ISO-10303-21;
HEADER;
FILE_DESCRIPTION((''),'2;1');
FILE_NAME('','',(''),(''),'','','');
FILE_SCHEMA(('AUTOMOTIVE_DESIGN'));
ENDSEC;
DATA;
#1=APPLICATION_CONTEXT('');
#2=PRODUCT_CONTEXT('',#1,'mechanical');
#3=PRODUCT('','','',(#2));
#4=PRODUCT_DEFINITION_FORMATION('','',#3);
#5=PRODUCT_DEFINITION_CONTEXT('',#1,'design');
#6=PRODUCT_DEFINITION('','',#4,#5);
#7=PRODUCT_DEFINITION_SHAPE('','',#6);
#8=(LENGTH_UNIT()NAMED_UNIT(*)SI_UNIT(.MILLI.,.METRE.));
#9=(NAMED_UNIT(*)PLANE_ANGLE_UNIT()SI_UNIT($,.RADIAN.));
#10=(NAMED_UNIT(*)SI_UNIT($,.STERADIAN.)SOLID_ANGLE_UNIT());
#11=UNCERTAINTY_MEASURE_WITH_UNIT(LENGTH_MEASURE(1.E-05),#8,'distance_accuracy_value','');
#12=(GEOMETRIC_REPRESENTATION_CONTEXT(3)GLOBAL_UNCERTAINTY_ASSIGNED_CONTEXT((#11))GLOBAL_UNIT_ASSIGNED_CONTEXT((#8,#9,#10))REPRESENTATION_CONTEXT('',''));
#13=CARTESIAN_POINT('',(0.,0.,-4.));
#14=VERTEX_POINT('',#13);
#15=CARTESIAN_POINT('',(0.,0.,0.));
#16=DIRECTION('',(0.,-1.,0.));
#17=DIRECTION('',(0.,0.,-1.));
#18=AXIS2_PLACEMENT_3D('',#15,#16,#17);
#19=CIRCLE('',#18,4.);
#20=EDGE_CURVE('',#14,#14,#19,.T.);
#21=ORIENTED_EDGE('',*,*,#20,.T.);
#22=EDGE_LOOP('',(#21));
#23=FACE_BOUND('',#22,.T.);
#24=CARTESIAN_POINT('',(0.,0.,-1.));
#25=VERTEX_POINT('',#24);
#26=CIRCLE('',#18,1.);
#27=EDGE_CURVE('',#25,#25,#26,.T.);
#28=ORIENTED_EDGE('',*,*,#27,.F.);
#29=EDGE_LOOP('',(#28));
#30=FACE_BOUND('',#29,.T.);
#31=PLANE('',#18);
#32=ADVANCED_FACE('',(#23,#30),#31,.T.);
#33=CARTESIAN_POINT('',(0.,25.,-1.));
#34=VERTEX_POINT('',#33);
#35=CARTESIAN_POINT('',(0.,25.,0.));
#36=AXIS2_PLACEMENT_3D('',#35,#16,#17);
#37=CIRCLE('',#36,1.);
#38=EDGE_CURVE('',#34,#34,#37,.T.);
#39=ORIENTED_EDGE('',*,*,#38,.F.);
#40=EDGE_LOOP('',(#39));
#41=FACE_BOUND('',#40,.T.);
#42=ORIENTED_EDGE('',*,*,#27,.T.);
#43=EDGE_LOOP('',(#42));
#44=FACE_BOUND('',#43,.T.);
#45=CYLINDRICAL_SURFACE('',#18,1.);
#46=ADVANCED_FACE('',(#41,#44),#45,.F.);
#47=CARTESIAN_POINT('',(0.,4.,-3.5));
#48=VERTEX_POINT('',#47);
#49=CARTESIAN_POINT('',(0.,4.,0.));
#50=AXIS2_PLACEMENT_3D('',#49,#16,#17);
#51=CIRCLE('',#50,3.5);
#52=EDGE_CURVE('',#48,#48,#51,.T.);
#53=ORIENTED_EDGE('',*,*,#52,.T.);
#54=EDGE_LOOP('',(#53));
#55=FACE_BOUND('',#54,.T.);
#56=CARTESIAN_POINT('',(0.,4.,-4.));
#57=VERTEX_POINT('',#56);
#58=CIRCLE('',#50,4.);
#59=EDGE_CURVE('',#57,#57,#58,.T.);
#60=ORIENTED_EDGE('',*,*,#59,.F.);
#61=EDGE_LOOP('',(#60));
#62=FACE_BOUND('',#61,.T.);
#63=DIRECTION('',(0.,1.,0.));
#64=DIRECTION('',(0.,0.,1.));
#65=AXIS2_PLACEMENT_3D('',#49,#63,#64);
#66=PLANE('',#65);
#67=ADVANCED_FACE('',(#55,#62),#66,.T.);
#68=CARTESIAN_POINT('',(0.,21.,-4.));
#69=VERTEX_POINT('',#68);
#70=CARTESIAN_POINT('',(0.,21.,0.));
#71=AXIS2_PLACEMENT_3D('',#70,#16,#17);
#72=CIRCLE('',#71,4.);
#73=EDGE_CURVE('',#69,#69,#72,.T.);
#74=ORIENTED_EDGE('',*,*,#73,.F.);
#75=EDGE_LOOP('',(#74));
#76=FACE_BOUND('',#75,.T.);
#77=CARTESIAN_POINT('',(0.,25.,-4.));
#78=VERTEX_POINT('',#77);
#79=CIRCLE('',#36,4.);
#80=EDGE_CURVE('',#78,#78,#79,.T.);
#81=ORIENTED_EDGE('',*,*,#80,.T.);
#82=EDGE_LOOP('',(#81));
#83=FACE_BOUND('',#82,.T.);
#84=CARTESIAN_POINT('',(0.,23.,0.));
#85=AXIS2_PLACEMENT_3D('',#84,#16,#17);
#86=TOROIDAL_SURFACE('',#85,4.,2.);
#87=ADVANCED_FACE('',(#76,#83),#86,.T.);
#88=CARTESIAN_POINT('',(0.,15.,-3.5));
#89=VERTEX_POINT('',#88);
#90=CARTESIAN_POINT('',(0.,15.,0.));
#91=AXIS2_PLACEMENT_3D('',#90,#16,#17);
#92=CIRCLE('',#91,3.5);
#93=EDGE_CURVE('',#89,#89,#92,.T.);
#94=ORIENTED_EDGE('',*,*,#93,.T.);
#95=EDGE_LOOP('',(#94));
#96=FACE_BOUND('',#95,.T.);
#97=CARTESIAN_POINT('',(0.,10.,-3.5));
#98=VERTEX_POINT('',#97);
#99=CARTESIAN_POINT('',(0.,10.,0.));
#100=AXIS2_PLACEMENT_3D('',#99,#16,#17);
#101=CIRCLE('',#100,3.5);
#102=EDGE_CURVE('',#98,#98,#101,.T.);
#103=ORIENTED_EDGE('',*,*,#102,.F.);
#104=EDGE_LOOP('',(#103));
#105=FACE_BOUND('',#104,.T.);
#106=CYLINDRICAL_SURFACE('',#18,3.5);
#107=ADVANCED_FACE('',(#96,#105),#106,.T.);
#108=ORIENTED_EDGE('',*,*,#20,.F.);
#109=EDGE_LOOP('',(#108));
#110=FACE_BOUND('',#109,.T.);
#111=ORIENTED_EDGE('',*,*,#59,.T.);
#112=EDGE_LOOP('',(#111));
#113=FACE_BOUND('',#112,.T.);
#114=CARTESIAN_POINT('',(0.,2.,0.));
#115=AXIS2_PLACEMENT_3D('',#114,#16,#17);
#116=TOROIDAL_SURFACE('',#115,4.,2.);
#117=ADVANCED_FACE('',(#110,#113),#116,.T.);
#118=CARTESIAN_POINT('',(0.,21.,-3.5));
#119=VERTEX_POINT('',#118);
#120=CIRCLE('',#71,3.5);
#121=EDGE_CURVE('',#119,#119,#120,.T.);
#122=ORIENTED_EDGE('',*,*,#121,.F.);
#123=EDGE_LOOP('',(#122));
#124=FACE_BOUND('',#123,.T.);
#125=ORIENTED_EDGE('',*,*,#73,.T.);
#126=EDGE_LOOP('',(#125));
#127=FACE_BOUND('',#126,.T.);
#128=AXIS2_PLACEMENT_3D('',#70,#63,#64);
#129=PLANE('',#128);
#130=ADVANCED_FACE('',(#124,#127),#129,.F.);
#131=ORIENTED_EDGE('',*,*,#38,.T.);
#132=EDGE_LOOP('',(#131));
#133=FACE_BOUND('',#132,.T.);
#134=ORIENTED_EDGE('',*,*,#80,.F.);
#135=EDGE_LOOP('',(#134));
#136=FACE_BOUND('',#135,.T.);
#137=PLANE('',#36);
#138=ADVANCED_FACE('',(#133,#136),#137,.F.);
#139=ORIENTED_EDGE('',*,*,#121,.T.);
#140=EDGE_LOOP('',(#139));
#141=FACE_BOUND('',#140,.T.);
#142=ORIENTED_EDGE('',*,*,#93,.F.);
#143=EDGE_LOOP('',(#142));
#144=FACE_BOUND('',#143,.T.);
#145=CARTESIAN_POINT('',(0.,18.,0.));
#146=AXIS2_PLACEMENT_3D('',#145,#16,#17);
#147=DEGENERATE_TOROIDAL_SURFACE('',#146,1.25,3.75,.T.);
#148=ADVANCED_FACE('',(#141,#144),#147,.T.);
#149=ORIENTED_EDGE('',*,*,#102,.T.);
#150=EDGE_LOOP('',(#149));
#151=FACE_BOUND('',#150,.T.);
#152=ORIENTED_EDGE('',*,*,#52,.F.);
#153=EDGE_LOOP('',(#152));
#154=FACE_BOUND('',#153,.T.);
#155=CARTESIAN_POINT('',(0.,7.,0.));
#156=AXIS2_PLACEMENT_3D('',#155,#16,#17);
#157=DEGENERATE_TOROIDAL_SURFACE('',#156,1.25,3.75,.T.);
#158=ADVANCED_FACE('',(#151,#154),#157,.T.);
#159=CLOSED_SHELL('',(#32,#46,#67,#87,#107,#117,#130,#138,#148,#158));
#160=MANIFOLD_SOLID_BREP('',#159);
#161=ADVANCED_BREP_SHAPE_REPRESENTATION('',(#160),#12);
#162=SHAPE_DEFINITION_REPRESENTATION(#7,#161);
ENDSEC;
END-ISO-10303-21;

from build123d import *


with BuildPart() as part:
    # Sketch1 → Revolve1 (revolve)
    with BuildSketch(Plane.XY, mode=Mode.PRIVATE) as revolve1_sk:
        with BuildLine():
            Line((4, 25), (1, 25))
            Line((1, 25), (1, 0))
            Line((1, 0), (4, 0))
            ThreePointArc((4, 0), (6, 2), (4, 4))
            Line((4, 4), (3.5, 4))
            ThreePointArc((3.5, 4), (5, 7), (3.5, 10))
            Line((3.5, 10), (3.5, 15))
            ThreePointArc((3.5, 15), (5, 18), (3.5, 21))
            Line((3.5, 21), (4, 21))
            ThreePointArc((4, 21), (6, 23), (4, 25))
        make_face()
    revolve(revolve1_sk.sketch.rotate(Axis((0, 0, 0), (0, 1, 0)), 90), axis=Axis((0, 0, 0), (0, 1, 0)))


solid = part.part
